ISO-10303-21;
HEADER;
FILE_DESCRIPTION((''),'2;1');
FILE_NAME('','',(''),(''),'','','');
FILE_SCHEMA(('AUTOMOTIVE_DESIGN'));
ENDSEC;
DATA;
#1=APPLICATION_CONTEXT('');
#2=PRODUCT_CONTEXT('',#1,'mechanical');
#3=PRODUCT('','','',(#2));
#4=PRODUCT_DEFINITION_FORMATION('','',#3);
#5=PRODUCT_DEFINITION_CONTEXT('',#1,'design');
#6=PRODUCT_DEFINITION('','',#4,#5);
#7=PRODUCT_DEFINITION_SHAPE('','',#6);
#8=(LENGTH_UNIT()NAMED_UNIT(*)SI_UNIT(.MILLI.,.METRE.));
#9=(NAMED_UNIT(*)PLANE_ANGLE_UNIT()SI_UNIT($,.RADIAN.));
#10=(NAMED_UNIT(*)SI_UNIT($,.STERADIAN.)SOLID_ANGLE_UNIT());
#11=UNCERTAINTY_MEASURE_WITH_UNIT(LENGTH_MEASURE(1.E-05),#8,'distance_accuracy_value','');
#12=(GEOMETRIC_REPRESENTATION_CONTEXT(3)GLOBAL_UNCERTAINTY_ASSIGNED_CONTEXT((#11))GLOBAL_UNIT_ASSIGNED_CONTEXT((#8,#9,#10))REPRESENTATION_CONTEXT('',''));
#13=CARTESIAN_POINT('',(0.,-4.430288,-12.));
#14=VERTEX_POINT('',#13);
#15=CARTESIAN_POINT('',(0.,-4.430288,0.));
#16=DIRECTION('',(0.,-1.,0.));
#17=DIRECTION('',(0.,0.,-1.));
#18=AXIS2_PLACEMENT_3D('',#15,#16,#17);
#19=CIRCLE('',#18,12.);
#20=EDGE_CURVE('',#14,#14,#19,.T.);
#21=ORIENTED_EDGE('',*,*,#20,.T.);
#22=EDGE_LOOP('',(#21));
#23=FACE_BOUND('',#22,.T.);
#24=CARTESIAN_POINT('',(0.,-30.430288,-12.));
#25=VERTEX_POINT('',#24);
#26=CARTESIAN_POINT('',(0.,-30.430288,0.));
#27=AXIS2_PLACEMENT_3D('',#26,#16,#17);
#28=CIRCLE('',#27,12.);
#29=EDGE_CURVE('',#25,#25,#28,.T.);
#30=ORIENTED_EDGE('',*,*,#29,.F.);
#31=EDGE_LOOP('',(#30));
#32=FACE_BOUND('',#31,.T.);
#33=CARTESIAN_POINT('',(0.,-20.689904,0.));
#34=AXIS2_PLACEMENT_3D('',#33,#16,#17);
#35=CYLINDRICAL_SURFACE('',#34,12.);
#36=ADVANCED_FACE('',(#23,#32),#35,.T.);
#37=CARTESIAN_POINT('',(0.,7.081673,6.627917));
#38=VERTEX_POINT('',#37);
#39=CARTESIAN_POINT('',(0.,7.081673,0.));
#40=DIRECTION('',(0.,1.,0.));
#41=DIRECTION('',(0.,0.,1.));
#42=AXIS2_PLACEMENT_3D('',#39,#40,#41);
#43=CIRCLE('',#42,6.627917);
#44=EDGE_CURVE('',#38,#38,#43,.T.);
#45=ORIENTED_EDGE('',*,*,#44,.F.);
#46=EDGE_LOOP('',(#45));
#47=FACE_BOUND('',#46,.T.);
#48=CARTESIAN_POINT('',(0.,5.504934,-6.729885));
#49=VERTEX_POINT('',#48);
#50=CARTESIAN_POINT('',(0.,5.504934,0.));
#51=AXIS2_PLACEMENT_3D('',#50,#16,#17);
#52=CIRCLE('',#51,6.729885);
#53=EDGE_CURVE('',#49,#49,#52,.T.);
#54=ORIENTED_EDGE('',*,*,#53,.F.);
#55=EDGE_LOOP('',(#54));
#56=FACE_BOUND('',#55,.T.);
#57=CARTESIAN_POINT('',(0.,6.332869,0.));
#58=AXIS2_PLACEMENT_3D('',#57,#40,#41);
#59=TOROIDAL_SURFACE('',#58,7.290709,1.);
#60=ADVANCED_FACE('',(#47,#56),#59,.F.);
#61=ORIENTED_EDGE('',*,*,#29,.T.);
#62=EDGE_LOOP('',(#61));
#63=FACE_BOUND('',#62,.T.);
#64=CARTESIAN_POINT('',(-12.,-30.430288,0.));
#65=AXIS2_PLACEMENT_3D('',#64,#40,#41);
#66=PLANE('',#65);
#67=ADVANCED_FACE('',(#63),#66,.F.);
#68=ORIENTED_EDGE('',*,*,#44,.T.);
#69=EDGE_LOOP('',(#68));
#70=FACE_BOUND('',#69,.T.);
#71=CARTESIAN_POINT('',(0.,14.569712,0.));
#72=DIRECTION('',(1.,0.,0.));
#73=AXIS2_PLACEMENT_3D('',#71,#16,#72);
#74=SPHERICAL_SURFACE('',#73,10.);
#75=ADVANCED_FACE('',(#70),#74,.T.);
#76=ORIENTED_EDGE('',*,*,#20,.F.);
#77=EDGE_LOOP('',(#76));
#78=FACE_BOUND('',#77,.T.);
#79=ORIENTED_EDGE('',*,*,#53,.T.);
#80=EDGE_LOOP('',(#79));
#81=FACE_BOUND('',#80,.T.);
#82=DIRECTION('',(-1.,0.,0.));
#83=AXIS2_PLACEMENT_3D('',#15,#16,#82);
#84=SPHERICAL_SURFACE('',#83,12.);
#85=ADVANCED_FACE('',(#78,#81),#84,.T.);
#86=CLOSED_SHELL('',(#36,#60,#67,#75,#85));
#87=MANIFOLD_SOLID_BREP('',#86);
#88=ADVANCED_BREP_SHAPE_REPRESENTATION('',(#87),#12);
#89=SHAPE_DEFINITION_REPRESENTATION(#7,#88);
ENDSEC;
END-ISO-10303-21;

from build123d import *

# Parameters (mm, degrees)
FILLET_1_R = 1


with BuildPart() as part:
    # 草圖1 → 旋轉1 (revolve)
    with BuildSketch(Plane.XY):
        with BuildLine():
            Line((0, 24.569711538), (0, -30.430288462))
            Line((0, -30.430288462), (-12, -30.430288462))
            Line((-12, -30.430288462), (-12, -4.430288462))
            ThreePointArc((-12, -4.430288462), (-10.25118363, 1.807758844), (-5.514460969, 6.227606275))
            ThreePointArc((-5.514460969, 6.227606275), (-9.576561299, 17.448856148), (0, 24.569711538))
        make_face()
    revolve(axis=Axis((0, -20.689903846, 0), (0, 1, 0)))

    # 圓角1
    fillet_1_edges = [part.edges().sort_by_distance(p)[0] for p in [
        (5.514460969, 6.227606275, 0),
    ]]
    fillet(fillet_1_edges, radius=FILLET_1_R)


solid = part.part
